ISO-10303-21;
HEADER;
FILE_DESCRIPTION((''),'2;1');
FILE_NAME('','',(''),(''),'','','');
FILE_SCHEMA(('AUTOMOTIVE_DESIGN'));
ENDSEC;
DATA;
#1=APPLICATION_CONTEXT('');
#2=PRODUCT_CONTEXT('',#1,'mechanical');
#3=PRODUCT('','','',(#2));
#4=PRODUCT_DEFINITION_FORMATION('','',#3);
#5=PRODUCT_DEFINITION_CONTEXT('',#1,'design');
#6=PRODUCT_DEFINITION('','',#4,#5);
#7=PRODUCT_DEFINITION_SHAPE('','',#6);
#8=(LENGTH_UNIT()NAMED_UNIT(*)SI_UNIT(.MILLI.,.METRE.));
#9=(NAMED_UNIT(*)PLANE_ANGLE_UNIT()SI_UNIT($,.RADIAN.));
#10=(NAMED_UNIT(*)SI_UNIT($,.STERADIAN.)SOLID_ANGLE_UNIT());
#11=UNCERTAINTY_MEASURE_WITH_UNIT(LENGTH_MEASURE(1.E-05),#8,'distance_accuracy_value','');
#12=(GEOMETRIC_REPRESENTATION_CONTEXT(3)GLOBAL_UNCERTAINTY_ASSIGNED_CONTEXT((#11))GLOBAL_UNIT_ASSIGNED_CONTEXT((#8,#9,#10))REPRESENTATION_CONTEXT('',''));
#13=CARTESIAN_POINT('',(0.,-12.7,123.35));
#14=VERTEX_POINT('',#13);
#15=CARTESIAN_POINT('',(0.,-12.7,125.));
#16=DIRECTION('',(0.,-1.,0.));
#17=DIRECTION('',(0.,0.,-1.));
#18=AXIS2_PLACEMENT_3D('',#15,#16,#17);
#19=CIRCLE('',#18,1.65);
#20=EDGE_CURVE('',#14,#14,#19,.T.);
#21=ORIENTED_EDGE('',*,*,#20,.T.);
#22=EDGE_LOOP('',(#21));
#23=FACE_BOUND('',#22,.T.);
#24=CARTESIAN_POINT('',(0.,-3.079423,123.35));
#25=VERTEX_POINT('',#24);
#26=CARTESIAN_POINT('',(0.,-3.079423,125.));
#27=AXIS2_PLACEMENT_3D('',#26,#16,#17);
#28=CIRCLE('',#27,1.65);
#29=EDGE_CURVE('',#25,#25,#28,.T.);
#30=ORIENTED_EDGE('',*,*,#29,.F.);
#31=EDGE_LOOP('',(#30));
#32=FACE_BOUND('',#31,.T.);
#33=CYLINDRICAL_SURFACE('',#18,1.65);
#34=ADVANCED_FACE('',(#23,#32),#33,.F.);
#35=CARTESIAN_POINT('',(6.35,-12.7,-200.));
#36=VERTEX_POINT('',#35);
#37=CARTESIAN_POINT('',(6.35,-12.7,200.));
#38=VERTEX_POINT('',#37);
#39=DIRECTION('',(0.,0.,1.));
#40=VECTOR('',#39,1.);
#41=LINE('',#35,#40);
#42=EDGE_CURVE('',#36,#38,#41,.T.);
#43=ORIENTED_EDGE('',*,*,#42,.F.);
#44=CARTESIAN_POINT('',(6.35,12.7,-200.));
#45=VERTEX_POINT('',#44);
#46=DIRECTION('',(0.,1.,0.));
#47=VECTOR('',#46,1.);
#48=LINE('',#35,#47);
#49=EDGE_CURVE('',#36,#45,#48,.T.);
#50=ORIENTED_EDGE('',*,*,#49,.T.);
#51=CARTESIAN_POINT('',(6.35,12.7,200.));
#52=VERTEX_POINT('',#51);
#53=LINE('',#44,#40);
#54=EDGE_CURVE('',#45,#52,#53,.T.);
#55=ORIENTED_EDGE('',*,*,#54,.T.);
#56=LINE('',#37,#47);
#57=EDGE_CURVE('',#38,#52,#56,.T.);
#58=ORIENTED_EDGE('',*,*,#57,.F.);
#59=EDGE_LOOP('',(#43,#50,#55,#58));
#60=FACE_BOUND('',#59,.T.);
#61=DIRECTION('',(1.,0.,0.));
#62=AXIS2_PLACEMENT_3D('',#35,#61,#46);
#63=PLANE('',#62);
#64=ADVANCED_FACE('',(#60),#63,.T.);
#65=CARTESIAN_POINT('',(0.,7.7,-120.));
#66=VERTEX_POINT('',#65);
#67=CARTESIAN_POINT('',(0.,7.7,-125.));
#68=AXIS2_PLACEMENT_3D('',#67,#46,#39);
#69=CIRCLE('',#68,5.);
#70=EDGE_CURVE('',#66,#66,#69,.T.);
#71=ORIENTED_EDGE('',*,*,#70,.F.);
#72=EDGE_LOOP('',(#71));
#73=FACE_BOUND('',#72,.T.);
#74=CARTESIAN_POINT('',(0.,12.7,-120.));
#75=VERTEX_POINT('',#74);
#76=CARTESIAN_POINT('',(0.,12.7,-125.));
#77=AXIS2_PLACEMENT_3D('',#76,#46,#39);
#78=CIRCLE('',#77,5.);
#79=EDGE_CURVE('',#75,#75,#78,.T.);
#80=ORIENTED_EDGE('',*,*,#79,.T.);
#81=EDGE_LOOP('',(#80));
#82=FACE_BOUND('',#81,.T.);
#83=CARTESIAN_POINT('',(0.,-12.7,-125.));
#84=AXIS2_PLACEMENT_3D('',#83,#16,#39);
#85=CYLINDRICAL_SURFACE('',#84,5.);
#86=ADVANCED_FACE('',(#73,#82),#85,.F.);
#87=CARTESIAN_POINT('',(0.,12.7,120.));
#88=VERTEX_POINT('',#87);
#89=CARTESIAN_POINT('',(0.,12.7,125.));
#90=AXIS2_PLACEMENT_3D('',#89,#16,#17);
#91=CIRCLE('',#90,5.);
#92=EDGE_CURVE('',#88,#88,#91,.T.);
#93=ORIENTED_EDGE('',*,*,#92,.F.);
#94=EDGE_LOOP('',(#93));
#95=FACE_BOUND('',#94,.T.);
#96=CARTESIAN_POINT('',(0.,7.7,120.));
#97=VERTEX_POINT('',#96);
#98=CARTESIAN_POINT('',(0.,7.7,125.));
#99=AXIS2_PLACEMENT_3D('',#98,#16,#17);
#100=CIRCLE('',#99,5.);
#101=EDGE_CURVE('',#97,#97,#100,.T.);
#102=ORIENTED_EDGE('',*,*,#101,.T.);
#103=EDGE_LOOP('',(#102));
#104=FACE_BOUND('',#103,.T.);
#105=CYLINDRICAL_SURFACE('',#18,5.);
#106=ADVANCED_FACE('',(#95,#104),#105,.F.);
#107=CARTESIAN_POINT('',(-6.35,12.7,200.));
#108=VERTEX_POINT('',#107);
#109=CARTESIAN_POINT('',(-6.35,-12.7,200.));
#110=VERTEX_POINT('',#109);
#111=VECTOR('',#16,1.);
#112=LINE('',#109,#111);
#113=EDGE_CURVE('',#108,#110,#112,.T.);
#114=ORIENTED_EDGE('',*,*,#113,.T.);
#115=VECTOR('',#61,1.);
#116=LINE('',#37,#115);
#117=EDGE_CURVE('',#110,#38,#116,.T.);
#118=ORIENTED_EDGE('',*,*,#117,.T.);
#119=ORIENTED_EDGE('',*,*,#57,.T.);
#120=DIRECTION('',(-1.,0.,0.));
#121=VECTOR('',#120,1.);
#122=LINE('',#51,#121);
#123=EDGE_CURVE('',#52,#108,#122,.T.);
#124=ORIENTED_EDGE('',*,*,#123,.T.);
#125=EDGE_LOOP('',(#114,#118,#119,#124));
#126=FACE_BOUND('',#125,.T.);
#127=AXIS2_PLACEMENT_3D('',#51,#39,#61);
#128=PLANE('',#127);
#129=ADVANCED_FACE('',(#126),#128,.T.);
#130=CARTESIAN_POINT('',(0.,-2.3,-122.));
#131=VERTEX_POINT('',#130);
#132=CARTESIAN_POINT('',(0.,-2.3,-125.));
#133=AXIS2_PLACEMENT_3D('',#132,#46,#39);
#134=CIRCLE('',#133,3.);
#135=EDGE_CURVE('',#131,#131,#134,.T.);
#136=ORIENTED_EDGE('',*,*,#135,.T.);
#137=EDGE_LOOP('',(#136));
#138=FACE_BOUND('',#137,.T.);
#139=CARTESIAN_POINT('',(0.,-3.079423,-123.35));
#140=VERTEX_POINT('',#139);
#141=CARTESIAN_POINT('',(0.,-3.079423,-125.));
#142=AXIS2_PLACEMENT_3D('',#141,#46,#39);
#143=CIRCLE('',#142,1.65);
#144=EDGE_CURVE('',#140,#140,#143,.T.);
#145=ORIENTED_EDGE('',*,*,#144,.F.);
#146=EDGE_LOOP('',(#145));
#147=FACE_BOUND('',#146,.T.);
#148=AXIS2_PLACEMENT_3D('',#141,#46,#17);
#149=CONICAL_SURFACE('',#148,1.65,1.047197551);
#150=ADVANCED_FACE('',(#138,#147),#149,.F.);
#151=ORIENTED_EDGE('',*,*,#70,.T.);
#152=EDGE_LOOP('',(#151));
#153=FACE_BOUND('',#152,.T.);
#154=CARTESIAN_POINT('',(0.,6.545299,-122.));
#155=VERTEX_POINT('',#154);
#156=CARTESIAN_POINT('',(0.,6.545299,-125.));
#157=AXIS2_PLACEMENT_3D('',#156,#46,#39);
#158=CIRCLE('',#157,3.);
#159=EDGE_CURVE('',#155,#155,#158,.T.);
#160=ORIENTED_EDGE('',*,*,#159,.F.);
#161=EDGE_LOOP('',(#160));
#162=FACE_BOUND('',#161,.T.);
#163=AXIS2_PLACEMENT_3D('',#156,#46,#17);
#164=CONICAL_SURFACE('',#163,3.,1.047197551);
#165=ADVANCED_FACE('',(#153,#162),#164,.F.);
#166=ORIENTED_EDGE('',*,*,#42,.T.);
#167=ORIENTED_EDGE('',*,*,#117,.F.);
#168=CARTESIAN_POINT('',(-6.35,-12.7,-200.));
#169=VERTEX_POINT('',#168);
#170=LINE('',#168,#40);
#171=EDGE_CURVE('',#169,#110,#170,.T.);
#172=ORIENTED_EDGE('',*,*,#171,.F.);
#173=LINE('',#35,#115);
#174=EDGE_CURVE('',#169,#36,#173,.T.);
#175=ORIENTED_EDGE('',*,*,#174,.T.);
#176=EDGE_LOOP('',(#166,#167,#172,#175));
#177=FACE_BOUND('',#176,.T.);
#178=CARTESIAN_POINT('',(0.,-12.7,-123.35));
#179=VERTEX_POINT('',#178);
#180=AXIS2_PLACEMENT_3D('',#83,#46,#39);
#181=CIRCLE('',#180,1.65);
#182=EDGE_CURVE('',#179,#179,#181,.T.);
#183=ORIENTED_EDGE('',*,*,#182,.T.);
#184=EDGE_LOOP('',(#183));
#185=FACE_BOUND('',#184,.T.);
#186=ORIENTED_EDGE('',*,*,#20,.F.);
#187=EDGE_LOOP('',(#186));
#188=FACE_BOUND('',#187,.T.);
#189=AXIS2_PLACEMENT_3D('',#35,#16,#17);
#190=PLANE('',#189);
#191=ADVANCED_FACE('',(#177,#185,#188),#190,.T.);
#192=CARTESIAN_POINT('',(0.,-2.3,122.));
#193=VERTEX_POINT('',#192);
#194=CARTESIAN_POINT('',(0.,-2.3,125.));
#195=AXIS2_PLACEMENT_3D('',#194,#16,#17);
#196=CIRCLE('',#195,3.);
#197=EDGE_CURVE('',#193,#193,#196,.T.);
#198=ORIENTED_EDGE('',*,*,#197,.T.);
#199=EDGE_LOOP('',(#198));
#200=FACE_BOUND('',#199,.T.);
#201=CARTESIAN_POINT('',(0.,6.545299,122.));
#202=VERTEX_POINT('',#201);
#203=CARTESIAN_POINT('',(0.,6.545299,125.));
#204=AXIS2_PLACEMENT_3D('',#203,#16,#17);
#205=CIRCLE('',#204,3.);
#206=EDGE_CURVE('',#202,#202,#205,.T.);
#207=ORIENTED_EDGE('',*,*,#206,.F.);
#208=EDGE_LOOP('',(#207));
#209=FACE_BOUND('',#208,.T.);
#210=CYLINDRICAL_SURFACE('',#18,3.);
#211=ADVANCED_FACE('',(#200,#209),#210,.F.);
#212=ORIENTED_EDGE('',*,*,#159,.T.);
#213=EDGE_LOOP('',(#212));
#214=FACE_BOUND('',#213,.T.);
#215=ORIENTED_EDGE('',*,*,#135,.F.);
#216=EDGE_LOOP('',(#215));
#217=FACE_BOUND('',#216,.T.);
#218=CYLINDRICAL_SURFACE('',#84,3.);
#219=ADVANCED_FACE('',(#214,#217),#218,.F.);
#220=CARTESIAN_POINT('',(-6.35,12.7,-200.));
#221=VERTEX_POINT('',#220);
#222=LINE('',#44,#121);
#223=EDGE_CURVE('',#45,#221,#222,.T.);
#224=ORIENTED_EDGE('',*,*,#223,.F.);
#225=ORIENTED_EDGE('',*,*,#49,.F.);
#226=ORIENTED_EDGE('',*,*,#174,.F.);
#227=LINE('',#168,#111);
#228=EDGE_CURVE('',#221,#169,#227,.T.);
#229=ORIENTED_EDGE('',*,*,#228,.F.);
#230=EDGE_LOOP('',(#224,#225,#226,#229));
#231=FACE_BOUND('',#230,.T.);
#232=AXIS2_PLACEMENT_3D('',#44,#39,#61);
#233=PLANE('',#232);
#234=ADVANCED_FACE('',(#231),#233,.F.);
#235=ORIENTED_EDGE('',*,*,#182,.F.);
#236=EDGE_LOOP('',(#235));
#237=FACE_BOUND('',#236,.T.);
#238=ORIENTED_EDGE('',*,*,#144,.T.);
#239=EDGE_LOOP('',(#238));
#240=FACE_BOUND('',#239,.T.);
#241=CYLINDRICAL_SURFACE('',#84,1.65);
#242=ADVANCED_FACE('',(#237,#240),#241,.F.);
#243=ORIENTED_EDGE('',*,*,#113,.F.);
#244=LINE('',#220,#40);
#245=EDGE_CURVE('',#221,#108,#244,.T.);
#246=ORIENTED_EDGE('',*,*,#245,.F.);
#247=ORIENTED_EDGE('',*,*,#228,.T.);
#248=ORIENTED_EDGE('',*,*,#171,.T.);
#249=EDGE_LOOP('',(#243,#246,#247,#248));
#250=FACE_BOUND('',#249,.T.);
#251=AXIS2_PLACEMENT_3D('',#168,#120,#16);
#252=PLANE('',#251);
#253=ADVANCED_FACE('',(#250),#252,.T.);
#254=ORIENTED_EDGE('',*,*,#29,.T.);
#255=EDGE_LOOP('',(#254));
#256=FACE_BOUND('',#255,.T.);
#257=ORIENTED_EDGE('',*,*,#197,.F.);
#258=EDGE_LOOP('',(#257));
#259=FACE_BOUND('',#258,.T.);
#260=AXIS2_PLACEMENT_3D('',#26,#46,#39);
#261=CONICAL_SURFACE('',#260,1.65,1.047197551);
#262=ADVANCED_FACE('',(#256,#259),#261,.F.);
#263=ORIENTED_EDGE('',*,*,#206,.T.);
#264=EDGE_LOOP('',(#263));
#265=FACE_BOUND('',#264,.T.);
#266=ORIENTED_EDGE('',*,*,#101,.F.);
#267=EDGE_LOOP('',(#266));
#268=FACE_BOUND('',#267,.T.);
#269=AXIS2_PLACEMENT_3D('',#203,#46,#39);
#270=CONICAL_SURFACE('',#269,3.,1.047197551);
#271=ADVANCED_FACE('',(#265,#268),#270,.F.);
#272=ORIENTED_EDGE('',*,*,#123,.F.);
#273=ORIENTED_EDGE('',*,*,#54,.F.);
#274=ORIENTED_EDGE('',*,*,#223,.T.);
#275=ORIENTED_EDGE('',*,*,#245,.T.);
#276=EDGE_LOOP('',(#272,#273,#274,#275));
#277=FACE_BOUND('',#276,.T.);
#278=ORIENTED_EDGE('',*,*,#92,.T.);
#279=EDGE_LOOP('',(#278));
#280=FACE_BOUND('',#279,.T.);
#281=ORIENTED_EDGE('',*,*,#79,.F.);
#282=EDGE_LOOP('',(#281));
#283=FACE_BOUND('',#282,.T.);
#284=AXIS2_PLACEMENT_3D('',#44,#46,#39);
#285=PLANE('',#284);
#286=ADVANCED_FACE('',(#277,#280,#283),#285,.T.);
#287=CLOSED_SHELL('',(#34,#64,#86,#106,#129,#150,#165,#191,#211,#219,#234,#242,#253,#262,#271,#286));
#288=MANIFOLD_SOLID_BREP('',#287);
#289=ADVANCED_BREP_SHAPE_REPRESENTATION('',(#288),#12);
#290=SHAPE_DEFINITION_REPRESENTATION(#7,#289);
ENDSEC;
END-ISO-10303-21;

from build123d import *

# Parameters (mm, degrees)
BOSS_EXTRUDE1_DEPTH      = 200
BOSS_EXTRUDE1_DEPTH_BACK = 200
SKETCH1_W                = 12.7
SKETCH1_H                = 25.4


with BuildPart() as part:
    # Sketch1 → Boss-Extrude1 (new, two sides: drawn at the far end of the back side and taken through both)
    with BuildSketch(Plane.XY.offset(-BOSS_EXTRUDE1_DEPTH_BACK)):
        Rectangle(SKETCH1_W, SKETCH1_H)
    extrude(amount=BOSS_EXTRUDE1_DEPTH + BOSS_EXTRUDE1_DEPTH_BACK)

    # Sketch2 → Cut-Revolve1 (revolve, cut)
    with BuildSketch(Plane(origin=(0, 0, 0), x_dir=(0, 0, -1), z_dir=(1, 0, 0))):
        Polygon((-125, 12.7), (-120, 12.7), (-120, 7.7), (-122, 6.545299462), (-122, -2.3), (-123.35, -3.079422863), (-123.35, -12.7), (-125, -12.7), align=None)
    cut_revolve1 = revolve(axis=Axis((0, -12.7, 125), (0, 1, 0)), mode=Mode.SUBTRACT)

    # Mirror1: Cut-Revolve1 across plane
    add(cut_revolve1.mirror(Plane.XY), mode=Mode.SUBTRACT)


solid = part.part
